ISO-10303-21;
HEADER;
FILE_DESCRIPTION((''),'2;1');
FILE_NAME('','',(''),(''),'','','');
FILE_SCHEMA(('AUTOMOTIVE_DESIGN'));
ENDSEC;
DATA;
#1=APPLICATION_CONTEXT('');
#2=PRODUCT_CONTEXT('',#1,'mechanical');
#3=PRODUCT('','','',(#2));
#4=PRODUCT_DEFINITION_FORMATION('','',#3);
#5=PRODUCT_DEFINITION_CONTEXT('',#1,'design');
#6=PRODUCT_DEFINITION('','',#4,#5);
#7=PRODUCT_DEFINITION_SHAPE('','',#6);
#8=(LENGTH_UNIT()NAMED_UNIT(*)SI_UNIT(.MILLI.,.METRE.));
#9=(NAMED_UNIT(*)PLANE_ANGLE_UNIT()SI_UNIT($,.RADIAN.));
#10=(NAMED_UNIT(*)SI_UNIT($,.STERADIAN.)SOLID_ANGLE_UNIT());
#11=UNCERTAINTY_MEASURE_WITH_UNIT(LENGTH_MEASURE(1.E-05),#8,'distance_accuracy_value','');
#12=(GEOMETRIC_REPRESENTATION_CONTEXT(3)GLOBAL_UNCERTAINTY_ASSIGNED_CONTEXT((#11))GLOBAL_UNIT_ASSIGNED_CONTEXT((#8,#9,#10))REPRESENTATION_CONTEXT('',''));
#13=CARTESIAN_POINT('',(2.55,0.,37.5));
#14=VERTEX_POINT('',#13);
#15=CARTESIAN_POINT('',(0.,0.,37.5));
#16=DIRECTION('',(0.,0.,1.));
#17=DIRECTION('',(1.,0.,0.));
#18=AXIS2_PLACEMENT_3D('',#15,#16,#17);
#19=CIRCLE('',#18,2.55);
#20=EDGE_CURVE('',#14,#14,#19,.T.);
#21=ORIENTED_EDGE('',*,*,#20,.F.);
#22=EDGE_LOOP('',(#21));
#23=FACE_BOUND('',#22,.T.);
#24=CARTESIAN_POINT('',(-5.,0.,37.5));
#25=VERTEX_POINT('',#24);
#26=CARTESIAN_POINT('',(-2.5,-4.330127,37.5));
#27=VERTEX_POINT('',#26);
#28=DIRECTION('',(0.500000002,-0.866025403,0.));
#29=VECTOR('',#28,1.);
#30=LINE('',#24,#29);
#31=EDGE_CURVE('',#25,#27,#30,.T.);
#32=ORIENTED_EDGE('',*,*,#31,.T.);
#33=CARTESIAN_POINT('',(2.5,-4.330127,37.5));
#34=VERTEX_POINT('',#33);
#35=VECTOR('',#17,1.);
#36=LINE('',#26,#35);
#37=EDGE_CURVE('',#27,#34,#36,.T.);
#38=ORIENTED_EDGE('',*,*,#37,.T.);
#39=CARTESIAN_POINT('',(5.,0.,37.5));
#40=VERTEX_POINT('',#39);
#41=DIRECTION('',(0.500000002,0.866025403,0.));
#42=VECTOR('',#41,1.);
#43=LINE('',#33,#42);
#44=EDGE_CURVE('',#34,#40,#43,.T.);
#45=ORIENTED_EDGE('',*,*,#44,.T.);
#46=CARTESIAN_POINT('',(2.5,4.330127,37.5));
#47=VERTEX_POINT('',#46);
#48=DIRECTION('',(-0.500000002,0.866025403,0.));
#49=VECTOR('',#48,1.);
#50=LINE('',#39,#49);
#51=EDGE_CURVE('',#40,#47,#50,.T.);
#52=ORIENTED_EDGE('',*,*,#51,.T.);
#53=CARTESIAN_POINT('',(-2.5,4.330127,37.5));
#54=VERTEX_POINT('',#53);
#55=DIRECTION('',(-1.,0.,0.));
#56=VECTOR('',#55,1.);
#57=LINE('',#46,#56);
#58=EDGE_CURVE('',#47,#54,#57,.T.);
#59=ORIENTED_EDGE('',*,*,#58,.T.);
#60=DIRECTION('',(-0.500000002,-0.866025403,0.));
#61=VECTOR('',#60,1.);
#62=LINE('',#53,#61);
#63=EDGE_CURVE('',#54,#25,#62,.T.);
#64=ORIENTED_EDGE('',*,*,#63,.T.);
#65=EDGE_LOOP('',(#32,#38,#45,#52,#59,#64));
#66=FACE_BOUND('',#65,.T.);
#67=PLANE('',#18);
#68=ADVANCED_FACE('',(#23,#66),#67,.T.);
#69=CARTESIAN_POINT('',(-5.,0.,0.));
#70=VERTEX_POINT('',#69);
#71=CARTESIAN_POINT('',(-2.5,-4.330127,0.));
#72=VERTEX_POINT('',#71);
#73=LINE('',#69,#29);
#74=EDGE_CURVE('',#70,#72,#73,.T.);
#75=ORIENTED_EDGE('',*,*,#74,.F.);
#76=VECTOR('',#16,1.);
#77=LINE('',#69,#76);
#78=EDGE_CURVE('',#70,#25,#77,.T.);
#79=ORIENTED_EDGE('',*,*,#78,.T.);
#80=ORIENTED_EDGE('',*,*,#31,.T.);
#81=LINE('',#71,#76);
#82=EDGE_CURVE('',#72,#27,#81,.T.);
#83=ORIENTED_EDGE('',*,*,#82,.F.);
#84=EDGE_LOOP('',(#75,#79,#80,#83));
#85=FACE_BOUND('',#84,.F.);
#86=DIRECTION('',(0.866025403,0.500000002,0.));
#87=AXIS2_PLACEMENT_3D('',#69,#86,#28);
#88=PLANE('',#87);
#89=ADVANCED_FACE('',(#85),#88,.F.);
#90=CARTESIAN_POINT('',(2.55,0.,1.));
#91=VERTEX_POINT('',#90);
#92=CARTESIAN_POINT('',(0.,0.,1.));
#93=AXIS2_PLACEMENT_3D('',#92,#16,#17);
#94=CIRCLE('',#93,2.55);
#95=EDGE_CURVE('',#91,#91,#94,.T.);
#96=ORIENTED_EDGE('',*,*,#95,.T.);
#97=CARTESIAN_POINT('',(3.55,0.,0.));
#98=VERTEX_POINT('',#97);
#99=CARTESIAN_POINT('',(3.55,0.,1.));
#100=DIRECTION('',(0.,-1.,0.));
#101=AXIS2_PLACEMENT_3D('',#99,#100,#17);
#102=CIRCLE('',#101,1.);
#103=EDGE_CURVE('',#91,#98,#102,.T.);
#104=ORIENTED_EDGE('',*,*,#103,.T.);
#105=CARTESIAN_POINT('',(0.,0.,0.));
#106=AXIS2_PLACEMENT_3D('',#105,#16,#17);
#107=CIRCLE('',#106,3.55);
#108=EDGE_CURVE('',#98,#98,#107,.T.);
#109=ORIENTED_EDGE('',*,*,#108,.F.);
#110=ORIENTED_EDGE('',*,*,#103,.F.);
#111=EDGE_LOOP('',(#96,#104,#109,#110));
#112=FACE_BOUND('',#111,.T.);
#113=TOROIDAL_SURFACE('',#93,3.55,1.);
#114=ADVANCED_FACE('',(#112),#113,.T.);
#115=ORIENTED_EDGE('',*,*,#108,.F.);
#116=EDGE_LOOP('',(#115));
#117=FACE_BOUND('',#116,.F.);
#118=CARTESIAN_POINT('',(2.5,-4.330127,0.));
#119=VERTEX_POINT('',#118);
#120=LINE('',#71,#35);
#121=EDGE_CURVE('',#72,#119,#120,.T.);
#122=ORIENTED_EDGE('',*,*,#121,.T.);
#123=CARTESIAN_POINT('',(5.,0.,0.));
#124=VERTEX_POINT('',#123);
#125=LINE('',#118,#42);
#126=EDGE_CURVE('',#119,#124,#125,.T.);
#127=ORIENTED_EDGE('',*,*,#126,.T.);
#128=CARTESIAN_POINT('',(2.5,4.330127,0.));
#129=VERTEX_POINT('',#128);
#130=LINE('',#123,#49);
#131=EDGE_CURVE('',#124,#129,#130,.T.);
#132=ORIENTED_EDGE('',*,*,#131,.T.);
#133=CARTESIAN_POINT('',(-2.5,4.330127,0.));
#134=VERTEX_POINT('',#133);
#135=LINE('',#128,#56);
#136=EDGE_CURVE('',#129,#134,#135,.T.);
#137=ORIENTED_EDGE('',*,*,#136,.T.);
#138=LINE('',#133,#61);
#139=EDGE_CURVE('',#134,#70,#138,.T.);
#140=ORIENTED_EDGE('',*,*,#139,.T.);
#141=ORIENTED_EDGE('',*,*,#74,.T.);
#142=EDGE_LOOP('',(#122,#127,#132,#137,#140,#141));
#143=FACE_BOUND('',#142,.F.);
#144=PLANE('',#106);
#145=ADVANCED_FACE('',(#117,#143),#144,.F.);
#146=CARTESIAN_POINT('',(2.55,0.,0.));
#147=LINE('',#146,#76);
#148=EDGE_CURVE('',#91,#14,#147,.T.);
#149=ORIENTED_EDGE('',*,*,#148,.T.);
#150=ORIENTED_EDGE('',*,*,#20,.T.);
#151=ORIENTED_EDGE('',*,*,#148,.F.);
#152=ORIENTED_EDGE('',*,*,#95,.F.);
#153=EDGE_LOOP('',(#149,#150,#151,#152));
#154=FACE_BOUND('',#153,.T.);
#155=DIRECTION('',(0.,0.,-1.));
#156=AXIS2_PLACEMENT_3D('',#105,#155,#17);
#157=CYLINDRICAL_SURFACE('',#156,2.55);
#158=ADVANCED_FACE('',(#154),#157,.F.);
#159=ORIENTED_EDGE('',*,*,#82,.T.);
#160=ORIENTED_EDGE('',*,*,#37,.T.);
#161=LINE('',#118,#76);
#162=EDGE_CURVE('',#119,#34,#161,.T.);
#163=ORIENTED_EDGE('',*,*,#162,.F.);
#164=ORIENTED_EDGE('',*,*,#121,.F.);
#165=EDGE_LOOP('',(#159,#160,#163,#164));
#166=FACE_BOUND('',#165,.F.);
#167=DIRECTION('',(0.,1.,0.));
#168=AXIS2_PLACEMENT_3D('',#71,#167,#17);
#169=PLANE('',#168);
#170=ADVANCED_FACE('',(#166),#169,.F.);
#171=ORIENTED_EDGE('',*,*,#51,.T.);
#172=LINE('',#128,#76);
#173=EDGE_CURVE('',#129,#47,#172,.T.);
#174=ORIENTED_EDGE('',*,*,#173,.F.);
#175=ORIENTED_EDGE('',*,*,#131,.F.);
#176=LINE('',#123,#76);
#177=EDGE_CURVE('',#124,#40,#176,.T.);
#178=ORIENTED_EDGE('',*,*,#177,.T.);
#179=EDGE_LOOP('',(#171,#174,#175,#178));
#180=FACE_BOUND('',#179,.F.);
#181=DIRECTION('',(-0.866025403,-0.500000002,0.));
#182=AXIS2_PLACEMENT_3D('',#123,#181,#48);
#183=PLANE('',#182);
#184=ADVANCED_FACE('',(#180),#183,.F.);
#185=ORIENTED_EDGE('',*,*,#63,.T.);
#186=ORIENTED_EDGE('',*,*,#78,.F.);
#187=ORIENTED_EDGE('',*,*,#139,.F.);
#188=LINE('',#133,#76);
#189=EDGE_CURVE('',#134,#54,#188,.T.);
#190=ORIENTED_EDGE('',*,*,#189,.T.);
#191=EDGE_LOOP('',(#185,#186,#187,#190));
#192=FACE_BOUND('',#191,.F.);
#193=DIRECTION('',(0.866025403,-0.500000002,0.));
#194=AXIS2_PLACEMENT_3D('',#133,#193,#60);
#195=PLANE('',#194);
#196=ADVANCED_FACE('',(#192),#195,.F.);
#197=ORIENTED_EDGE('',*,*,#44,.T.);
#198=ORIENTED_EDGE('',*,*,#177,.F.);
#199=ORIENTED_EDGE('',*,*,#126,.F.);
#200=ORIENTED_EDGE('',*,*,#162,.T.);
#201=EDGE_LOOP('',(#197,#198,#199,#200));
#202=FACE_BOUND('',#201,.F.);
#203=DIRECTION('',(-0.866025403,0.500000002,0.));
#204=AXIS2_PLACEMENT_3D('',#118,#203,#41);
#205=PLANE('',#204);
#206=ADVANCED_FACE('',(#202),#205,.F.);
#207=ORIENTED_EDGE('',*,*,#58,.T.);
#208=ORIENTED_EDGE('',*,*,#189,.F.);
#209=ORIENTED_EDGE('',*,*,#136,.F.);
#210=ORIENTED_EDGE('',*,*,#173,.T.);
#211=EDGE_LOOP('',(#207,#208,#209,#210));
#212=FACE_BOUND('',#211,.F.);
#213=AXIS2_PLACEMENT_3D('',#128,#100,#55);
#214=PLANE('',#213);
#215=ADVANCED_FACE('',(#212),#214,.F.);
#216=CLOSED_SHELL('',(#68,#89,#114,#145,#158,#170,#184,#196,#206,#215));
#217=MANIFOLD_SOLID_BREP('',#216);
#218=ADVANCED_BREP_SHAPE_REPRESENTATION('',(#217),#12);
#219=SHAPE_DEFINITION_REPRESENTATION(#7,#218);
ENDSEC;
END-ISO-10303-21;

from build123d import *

# Parameters (mm, degrees)
SKETCH_R  = 2.55
PAD_DEPTH = 37.5
FILLET_R  = 1


with BuildPart() as part:
    # Sketch → Pad (new body)
    with BuildSketch(Plane.XY):
        Polygon((-5, 0), (-2.5, -4.330127), (2.5, -4.330127), (5, 0), (2.5, 4.330127), (-2.5, 4.330127), align=None)
        Circle(SKETCH_R, mode=Mode.SUBTRACT)
    extrude(amount=PAD_DEPTH)

    # Fillet
    fillet_edges = [part.edges().sort_by_distance(p)[0] for p in [
        (-2.55, 0, 0),
    ]]
    fillet(fillet_edges, radius=FILLET_R)


solid = part.part
